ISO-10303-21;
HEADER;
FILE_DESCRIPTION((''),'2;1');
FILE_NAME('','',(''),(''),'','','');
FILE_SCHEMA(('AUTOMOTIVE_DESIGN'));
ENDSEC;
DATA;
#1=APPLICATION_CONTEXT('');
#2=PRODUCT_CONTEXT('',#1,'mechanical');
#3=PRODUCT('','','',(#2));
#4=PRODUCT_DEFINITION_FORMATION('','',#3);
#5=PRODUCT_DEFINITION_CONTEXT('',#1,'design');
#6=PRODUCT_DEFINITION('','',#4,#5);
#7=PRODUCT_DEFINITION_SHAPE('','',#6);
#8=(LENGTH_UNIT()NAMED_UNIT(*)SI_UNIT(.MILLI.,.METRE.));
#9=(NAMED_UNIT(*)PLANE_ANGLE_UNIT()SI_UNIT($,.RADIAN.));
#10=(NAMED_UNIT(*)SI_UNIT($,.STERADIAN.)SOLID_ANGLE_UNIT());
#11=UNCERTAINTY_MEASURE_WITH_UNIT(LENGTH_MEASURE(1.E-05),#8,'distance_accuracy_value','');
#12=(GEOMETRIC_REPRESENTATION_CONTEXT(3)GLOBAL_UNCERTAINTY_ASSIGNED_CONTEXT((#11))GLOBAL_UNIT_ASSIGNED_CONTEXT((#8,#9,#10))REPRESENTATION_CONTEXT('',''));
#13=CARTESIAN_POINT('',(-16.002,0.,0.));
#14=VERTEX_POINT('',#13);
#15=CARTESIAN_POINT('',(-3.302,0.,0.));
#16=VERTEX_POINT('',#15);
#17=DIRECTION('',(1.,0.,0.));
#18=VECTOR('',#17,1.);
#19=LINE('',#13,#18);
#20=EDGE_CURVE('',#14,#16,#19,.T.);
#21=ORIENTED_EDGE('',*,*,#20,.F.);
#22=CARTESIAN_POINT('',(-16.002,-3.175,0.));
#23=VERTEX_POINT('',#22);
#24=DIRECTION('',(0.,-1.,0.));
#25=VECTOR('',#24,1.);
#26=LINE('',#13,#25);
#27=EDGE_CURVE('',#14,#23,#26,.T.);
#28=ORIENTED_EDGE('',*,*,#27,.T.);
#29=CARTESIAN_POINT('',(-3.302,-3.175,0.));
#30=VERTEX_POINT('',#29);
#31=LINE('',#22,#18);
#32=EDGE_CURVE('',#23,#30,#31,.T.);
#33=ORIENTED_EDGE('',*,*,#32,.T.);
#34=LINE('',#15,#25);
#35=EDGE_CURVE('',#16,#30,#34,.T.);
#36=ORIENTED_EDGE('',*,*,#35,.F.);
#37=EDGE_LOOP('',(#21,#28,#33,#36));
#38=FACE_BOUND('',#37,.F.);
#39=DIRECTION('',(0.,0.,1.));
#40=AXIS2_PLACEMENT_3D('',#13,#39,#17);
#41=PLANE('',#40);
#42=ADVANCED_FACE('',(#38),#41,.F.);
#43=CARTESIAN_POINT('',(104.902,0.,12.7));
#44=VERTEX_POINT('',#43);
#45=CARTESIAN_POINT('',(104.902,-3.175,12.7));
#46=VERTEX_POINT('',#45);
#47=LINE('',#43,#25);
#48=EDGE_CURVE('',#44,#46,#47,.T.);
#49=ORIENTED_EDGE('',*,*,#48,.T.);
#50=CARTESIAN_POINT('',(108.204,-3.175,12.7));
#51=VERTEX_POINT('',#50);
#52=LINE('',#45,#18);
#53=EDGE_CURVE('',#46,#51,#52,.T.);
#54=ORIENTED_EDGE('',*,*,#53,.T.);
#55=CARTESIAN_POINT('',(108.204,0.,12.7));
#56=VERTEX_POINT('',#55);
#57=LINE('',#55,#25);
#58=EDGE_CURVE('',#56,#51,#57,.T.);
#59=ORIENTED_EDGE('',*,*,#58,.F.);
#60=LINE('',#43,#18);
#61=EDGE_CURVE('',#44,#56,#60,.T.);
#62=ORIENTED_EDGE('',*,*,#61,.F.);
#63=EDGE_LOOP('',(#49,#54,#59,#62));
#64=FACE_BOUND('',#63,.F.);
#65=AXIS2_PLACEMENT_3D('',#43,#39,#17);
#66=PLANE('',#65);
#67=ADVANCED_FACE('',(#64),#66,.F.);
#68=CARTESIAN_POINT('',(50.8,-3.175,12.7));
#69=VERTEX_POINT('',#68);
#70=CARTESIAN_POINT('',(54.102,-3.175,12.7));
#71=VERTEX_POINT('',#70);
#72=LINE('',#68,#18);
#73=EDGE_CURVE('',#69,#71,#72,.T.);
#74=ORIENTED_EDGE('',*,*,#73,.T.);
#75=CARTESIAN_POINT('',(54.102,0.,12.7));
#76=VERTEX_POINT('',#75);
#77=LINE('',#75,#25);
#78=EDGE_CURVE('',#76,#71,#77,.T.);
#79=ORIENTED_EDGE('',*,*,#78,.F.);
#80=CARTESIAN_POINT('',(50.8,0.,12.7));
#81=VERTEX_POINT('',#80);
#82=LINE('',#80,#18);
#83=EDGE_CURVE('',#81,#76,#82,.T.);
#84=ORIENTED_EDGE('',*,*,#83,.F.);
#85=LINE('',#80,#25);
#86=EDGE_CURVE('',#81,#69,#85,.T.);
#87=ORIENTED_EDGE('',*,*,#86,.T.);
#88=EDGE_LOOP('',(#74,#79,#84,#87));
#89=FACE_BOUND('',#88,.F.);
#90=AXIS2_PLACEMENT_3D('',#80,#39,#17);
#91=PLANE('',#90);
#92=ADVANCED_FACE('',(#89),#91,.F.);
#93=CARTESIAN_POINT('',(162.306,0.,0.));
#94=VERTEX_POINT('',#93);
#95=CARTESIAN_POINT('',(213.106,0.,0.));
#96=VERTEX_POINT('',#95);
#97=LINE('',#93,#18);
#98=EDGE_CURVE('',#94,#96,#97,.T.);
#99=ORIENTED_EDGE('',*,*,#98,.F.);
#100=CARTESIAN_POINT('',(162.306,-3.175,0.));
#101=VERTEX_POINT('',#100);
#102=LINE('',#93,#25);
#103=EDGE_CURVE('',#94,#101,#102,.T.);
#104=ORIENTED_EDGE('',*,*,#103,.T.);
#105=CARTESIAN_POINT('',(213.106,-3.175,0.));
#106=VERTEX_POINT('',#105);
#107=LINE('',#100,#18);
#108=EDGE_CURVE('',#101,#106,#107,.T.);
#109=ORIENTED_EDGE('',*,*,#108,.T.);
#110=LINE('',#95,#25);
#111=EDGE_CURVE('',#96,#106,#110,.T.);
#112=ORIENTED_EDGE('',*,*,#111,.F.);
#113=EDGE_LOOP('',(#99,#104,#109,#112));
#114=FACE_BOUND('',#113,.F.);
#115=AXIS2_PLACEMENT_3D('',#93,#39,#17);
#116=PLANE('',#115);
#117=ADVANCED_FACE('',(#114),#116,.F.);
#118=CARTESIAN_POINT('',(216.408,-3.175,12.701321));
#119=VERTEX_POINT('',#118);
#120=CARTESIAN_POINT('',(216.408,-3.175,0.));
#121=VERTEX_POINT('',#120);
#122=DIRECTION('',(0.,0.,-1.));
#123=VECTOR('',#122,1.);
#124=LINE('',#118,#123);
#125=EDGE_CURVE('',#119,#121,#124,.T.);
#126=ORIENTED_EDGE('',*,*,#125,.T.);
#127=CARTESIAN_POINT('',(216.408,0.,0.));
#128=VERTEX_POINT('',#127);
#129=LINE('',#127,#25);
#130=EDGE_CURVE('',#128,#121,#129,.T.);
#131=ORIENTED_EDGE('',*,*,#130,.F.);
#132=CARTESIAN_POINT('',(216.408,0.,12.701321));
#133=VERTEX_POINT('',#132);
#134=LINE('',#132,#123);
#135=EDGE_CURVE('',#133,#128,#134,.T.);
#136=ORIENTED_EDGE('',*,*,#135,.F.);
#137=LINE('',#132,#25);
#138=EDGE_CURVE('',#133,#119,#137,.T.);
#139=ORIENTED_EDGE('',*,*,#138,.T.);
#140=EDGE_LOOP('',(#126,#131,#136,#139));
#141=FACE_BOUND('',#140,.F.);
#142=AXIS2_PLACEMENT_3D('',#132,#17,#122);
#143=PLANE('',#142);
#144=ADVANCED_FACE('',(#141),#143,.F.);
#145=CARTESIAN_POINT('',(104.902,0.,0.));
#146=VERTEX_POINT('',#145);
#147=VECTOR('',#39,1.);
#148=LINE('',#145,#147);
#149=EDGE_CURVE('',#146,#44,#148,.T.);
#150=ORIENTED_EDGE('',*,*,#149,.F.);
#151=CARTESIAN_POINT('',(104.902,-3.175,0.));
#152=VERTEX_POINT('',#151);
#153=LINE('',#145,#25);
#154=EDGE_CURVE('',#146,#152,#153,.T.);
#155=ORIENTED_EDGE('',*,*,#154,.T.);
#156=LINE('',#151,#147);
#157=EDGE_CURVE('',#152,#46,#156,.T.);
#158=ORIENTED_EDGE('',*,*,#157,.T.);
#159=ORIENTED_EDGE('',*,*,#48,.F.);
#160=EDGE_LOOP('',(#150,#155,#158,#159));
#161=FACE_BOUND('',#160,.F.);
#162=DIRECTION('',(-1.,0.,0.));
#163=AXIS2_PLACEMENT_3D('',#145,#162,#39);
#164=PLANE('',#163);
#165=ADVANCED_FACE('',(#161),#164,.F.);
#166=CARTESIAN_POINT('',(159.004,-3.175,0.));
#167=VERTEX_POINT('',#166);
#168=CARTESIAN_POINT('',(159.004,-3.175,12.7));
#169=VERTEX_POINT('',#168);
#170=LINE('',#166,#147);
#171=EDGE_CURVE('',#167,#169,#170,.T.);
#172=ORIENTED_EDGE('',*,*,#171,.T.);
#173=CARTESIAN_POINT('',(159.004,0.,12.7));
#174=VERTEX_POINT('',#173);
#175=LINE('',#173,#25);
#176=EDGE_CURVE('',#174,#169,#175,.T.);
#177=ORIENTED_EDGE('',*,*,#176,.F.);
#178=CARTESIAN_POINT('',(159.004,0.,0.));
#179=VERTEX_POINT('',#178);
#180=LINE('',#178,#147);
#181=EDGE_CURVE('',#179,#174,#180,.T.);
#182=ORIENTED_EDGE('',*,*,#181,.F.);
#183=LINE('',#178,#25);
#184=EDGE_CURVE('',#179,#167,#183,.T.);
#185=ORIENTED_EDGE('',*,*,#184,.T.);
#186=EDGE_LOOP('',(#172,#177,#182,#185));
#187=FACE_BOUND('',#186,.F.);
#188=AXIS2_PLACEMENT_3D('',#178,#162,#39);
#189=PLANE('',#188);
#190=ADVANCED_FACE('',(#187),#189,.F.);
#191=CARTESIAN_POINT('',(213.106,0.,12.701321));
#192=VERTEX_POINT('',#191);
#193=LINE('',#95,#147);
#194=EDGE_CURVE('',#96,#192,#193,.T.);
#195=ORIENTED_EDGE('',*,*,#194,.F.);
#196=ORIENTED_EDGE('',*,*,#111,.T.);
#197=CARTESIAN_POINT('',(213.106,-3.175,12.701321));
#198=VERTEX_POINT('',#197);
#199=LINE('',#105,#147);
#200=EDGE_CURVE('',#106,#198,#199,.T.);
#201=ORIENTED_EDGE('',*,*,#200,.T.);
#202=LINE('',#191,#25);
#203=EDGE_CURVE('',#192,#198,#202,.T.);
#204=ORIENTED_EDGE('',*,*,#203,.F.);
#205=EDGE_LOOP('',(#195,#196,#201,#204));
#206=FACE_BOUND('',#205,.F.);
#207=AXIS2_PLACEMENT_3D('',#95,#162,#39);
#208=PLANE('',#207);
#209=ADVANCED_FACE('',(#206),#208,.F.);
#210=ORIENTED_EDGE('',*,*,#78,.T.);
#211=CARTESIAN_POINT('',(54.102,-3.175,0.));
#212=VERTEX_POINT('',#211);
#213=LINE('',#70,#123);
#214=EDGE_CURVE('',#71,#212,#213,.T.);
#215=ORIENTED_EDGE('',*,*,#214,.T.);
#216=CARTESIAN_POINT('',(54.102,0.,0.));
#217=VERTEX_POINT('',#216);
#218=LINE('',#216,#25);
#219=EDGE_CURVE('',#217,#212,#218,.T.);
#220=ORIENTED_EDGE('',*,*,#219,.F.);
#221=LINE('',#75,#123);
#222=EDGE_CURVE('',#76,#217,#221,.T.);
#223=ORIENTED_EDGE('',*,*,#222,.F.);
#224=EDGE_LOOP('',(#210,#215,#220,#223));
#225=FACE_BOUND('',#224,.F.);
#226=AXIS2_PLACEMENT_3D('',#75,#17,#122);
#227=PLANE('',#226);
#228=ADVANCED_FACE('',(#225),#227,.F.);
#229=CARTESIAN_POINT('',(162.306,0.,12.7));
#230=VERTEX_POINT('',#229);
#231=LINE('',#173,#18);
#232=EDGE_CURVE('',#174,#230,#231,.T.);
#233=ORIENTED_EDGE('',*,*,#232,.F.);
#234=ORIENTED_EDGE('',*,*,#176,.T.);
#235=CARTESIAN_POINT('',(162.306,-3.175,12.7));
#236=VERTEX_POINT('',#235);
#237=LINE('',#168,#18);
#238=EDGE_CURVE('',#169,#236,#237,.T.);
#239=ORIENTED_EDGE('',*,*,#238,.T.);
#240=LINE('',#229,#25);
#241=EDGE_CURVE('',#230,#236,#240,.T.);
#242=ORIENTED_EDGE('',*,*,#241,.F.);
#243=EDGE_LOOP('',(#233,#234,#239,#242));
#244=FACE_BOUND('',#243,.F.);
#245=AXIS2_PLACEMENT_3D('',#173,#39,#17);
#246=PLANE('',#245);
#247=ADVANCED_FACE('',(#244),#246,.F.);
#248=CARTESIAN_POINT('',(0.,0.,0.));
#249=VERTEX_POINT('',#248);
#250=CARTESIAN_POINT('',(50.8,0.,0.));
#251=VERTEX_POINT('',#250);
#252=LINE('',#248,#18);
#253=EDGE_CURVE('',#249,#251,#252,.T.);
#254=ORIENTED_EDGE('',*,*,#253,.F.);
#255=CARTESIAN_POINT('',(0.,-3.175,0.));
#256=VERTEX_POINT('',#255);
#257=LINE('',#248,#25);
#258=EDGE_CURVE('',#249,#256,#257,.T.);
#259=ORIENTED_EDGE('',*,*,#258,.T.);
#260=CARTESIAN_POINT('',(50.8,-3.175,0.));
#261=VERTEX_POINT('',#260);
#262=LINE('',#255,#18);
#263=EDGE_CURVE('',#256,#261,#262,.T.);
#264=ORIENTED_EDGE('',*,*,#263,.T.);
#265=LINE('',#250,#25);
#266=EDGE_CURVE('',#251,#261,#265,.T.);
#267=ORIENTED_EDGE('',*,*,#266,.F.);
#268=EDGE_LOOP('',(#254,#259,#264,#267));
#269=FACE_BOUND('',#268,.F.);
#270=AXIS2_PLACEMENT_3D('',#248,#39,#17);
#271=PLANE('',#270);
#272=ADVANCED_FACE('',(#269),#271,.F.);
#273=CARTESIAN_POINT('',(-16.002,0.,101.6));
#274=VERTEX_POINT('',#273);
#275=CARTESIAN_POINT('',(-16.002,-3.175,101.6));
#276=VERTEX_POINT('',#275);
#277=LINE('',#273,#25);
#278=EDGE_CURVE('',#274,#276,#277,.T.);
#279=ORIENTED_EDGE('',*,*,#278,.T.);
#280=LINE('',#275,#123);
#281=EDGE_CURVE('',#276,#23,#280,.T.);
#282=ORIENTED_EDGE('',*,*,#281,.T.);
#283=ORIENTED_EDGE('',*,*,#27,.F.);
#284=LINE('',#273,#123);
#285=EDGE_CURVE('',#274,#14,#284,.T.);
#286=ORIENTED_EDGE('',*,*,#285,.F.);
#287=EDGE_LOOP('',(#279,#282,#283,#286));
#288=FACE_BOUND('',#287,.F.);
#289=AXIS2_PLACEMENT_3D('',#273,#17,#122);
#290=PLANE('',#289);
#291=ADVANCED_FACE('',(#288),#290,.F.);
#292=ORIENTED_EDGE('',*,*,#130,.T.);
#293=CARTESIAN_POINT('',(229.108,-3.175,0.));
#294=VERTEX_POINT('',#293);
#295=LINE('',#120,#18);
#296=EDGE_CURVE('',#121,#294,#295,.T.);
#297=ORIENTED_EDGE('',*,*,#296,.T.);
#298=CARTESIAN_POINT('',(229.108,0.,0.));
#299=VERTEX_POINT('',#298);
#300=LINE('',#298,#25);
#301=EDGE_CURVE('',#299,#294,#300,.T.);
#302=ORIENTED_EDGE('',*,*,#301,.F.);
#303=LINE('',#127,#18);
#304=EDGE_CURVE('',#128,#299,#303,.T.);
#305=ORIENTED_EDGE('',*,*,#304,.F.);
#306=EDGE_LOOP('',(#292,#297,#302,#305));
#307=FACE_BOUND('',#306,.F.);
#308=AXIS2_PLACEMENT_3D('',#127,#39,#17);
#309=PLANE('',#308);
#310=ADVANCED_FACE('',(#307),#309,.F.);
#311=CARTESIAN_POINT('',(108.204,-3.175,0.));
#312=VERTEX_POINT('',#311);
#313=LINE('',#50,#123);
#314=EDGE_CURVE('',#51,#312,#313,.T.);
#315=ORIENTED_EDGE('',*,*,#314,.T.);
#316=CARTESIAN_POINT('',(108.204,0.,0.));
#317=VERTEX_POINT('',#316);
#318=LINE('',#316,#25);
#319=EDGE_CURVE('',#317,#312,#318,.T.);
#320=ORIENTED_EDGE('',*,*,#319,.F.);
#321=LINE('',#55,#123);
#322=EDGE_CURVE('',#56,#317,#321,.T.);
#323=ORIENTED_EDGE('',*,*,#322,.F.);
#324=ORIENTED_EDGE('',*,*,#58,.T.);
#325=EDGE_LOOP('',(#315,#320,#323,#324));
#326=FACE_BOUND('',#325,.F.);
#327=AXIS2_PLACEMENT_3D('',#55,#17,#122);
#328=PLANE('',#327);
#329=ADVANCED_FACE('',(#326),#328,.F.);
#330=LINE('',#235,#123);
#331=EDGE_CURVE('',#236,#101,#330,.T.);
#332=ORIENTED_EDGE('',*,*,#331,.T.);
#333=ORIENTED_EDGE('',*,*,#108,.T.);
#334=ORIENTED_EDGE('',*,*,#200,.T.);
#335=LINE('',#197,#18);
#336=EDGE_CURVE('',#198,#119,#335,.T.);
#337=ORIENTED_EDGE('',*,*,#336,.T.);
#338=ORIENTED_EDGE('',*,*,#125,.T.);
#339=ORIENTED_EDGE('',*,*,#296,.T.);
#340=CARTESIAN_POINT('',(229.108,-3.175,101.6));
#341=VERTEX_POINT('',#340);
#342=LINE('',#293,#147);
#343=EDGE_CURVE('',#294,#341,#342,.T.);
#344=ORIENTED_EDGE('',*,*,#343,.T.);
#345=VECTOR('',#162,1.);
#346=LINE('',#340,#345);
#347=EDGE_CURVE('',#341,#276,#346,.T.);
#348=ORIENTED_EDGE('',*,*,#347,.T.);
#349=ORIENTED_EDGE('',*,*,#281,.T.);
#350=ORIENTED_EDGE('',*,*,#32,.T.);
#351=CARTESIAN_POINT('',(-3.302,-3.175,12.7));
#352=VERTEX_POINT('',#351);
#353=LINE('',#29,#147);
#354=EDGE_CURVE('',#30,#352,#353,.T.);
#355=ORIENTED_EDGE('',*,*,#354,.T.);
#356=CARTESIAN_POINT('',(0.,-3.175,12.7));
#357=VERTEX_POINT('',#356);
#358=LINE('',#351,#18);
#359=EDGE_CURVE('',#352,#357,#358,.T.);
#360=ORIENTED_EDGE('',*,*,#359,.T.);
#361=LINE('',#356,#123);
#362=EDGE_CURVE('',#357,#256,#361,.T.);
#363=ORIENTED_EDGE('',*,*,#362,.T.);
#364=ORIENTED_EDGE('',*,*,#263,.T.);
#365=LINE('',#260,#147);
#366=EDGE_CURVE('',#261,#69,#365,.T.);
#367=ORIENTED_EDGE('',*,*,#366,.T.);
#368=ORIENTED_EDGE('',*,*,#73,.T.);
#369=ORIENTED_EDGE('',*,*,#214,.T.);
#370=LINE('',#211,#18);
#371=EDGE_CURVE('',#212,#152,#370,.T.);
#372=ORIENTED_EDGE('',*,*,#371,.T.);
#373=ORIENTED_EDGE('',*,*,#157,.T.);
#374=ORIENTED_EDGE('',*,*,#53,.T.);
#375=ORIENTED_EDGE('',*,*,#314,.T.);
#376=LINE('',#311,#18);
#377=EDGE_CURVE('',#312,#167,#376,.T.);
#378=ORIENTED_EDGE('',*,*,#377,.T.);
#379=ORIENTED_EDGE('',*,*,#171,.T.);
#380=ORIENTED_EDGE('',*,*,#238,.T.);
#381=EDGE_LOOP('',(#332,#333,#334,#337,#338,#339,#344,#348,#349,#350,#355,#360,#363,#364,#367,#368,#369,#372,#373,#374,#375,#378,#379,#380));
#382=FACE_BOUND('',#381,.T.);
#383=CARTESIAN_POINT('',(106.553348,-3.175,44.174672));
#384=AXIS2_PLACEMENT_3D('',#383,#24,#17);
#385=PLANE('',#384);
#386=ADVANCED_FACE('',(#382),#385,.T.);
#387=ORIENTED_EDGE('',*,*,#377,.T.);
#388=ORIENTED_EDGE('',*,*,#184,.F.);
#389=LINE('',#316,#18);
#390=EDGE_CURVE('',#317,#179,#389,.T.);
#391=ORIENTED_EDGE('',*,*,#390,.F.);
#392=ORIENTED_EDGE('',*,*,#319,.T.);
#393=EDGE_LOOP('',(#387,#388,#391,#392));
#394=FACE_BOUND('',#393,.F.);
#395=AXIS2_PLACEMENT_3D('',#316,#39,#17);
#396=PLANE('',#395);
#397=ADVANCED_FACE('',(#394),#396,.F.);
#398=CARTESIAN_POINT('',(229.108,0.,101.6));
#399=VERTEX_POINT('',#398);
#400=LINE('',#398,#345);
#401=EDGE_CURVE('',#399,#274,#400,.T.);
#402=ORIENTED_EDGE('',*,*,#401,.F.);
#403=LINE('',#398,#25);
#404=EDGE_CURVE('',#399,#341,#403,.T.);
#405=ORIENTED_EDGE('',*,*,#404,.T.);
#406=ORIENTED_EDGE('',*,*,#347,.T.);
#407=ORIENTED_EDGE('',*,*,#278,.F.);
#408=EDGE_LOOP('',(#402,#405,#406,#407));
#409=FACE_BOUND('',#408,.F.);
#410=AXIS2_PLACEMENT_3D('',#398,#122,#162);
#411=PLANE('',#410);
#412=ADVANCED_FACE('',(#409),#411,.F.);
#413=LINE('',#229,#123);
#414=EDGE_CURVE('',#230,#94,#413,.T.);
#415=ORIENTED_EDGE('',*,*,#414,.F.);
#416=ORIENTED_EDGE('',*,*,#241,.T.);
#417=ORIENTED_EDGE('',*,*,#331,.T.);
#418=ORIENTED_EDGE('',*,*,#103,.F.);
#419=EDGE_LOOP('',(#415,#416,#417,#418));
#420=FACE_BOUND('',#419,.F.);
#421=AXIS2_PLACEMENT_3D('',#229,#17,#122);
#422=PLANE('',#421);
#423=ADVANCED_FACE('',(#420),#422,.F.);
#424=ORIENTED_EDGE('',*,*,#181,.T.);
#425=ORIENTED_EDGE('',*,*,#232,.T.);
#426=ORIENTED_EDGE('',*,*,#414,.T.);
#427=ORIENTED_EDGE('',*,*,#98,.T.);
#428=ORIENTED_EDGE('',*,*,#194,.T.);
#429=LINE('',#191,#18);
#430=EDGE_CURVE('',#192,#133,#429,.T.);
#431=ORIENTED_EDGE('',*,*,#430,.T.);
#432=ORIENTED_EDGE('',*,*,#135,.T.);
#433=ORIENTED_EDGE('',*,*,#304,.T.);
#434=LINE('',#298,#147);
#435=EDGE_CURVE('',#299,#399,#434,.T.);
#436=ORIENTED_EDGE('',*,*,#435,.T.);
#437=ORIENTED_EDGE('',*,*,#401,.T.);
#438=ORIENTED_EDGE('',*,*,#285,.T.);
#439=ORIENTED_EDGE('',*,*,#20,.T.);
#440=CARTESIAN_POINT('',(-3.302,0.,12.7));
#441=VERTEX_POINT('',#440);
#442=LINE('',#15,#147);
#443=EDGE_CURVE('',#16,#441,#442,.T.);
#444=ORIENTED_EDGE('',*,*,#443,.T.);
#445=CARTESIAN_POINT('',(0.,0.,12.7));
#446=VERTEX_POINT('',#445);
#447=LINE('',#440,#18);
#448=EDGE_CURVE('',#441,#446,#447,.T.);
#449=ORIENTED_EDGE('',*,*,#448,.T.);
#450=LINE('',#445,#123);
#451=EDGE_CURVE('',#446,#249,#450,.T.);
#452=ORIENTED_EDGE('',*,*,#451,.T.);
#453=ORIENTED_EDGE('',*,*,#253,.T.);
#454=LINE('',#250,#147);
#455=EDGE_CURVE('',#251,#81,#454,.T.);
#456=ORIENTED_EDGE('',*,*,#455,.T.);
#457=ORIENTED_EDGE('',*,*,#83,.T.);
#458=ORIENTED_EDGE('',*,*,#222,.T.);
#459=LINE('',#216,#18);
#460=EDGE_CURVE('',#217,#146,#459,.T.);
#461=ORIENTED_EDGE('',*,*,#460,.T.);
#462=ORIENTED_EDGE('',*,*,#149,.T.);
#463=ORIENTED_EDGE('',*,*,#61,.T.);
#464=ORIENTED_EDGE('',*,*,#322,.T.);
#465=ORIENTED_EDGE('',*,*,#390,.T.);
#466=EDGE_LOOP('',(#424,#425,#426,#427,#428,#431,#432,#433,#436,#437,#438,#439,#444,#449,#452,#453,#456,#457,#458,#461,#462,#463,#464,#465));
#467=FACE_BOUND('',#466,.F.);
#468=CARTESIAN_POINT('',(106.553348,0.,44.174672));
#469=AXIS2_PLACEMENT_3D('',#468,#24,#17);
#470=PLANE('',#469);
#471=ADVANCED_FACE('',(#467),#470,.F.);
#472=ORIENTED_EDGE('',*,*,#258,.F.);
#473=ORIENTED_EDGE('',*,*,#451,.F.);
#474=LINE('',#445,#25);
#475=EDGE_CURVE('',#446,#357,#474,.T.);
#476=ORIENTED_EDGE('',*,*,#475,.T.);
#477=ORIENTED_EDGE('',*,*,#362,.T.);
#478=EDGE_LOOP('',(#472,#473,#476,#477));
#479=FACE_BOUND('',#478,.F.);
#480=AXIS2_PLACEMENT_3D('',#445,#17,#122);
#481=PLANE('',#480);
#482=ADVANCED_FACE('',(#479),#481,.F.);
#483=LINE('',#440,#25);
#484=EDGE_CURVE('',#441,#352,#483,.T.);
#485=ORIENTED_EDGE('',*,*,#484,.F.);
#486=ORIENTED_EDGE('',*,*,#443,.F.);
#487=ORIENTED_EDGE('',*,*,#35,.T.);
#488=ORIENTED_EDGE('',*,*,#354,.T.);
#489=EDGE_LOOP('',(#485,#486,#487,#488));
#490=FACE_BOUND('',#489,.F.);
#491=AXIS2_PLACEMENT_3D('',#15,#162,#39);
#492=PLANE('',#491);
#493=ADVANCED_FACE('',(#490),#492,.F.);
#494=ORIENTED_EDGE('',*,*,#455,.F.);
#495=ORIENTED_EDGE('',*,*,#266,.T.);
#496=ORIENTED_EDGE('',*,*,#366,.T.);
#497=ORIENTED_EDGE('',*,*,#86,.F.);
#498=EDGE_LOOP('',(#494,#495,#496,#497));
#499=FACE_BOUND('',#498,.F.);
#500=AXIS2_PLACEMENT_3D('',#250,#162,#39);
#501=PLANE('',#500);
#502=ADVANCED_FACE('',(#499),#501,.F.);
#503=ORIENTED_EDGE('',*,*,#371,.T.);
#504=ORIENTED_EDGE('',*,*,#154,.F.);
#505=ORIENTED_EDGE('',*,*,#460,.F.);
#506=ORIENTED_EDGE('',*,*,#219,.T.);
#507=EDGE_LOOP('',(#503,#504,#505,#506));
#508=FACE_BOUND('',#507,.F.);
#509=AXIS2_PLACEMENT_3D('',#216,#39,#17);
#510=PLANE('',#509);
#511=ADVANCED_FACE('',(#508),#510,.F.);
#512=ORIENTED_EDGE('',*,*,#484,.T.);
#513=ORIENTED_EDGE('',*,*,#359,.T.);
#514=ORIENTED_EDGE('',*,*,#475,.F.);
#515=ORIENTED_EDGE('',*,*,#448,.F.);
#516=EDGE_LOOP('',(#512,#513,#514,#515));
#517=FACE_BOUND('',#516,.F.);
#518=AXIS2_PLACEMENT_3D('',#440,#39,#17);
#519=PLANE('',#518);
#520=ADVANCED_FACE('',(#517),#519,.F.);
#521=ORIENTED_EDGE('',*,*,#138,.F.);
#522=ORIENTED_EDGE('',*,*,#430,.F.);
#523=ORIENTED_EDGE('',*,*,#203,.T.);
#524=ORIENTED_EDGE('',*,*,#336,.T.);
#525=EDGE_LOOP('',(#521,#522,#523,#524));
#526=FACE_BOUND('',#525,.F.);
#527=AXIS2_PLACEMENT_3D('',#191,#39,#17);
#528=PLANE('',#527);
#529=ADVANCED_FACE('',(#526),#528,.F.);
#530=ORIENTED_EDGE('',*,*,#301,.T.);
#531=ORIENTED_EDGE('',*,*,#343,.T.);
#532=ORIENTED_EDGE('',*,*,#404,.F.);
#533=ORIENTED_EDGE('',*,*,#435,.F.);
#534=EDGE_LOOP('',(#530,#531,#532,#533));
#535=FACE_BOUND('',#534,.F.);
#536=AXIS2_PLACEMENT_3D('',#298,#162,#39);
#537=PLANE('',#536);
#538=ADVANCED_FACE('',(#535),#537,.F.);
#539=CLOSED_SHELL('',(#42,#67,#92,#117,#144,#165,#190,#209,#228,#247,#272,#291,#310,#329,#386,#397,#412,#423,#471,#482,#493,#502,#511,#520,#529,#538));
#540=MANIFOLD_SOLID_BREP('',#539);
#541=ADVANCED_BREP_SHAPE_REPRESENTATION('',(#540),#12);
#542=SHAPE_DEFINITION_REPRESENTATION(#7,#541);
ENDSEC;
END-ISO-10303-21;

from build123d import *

# Parameters (mm, degrees)
F1_DEPTH = 3.175


with BuildPart() as f1:
    # F0 (on Front) → F1 (new body)
    with BuildSketch(Plane.XZ):
        Polygon((0, 12.7), (0, 0), (50.8, 0), (50.8, 12.7), (54.102, 12.7), (54.102, 0), (104.902, 0), (104.902, 12.7), (108.204, 12.7), (108.204, 0), (159.004, 0), (159.004, 12.7), (162.306, 12.7), (162.306, 0), (213.106, 0), (213.106, 12.701321), (216.408, 12.701321), (216.408, 0), (229.108, 0), (229.108, 101.6), (-16.002, 101.6), (-16.002, 0), (-3.302, 0), (-3.302, 12.7), align=None)
    extrude(amount=F1_DEPTH)


solid = f1.part
